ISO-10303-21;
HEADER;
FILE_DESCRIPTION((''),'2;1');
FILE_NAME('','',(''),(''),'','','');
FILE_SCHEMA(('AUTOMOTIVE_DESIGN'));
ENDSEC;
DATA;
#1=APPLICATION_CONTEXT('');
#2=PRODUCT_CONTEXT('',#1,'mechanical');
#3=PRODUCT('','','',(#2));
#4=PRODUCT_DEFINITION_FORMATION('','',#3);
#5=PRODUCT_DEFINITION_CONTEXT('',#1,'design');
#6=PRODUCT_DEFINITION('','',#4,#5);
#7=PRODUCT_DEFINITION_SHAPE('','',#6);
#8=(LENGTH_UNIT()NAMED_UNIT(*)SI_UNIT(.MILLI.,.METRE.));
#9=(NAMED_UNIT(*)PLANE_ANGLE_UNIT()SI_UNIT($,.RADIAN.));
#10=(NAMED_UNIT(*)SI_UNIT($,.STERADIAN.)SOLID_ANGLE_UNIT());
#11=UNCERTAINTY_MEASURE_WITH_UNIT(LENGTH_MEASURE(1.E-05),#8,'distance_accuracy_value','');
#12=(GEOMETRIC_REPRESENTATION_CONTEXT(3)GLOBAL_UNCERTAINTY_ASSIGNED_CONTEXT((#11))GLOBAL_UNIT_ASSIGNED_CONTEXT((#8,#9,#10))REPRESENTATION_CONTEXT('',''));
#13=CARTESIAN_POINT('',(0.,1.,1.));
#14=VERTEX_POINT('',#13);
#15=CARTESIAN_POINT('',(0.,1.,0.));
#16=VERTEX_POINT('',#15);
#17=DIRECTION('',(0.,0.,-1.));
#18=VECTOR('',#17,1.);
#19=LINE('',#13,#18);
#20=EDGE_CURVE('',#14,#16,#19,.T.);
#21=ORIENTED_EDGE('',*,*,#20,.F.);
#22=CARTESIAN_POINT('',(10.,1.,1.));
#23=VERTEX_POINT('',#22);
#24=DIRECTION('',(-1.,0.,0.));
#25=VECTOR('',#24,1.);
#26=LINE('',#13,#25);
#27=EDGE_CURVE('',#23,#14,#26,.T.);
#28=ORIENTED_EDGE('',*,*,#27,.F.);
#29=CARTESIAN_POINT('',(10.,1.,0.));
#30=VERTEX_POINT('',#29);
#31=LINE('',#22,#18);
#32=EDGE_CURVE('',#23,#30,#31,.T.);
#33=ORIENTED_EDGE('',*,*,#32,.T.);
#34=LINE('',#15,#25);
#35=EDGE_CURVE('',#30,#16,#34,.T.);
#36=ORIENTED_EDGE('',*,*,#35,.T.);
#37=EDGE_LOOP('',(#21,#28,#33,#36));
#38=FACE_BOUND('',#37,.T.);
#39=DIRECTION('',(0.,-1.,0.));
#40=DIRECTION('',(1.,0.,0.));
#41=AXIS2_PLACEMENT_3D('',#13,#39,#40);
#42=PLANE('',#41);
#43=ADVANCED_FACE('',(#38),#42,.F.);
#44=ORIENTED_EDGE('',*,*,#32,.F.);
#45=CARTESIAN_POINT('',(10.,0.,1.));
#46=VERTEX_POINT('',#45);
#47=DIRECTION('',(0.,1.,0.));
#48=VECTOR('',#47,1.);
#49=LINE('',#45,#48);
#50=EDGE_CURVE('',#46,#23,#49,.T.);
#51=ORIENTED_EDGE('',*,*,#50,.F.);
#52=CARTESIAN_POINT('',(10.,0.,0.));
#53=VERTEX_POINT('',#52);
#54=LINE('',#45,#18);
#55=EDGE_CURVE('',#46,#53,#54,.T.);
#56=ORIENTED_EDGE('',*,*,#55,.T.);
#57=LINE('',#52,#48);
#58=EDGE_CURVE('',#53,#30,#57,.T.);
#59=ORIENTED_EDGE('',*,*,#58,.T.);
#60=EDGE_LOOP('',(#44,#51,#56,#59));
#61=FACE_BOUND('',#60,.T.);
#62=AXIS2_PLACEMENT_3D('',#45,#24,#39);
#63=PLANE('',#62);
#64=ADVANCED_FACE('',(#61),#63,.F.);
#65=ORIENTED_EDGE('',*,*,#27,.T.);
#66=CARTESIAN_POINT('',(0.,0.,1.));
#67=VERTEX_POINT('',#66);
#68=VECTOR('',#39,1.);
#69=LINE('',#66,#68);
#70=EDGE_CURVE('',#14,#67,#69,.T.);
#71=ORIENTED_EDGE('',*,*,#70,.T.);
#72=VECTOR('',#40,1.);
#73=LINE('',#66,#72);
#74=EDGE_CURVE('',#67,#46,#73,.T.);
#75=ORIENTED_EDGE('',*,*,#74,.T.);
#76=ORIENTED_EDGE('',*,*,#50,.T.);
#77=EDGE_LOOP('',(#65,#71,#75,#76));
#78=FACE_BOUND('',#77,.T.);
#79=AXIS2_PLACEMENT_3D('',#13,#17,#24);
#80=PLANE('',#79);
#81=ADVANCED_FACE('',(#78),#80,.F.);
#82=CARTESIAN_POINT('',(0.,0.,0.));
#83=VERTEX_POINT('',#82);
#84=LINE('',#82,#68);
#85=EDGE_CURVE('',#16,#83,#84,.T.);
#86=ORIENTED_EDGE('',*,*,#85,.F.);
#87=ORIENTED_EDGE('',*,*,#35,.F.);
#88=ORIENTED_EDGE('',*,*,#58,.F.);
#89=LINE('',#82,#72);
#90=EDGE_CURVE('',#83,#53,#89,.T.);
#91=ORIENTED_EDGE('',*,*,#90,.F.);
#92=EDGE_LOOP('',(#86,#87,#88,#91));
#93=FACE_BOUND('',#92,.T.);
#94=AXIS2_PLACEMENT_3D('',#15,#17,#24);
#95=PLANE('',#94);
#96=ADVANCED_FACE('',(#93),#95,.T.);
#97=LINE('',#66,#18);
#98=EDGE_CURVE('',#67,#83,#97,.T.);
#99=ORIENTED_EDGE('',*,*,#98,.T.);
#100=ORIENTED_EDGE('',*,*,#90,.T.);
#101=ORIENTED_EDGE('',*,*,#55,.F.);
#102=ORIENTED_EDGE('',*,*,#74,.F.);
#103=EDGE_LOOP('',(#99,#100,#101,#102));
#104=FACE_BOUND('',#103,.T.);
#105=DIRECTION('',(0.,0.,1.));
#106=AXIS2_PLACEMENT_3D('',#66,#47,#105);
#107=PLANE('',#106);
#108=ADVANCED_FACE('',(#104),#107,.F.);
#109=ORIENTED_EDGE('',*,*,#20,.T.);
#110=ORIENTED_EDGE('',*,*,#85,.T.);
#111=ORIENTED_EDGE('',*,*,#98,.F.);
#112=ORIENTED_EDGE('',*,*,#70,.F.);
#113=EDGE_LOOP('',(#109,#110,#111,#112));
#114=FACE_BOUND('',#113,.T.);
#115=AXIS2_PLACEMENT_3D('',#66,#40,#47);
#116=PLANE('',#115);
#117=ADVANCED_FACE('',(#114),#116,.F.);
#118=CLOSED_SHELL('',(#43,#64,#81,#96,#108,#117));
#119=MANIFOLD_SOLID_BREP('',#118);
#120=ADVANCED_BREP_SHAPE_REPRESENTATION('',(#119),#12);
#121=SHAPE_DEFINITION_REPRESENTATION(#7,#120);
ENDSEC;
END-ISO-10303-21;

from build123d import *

# Parameters (mm, degrees)
SKETCH1_W      = 10
SKETCH1_H      = 1
EXTRUDE4_DEPTH = 1


with BuildPart() as part:
    # Sketch1 → Extrude4 (new body)
    with BuildSketch(Plane.XY):
        with Locations((5, 0.5)):
            Rectangle(SKETCH1_W, SKETCH1_H)
    extrude(amount=EXTRUDE4_DEPTH)


solid = part.part
